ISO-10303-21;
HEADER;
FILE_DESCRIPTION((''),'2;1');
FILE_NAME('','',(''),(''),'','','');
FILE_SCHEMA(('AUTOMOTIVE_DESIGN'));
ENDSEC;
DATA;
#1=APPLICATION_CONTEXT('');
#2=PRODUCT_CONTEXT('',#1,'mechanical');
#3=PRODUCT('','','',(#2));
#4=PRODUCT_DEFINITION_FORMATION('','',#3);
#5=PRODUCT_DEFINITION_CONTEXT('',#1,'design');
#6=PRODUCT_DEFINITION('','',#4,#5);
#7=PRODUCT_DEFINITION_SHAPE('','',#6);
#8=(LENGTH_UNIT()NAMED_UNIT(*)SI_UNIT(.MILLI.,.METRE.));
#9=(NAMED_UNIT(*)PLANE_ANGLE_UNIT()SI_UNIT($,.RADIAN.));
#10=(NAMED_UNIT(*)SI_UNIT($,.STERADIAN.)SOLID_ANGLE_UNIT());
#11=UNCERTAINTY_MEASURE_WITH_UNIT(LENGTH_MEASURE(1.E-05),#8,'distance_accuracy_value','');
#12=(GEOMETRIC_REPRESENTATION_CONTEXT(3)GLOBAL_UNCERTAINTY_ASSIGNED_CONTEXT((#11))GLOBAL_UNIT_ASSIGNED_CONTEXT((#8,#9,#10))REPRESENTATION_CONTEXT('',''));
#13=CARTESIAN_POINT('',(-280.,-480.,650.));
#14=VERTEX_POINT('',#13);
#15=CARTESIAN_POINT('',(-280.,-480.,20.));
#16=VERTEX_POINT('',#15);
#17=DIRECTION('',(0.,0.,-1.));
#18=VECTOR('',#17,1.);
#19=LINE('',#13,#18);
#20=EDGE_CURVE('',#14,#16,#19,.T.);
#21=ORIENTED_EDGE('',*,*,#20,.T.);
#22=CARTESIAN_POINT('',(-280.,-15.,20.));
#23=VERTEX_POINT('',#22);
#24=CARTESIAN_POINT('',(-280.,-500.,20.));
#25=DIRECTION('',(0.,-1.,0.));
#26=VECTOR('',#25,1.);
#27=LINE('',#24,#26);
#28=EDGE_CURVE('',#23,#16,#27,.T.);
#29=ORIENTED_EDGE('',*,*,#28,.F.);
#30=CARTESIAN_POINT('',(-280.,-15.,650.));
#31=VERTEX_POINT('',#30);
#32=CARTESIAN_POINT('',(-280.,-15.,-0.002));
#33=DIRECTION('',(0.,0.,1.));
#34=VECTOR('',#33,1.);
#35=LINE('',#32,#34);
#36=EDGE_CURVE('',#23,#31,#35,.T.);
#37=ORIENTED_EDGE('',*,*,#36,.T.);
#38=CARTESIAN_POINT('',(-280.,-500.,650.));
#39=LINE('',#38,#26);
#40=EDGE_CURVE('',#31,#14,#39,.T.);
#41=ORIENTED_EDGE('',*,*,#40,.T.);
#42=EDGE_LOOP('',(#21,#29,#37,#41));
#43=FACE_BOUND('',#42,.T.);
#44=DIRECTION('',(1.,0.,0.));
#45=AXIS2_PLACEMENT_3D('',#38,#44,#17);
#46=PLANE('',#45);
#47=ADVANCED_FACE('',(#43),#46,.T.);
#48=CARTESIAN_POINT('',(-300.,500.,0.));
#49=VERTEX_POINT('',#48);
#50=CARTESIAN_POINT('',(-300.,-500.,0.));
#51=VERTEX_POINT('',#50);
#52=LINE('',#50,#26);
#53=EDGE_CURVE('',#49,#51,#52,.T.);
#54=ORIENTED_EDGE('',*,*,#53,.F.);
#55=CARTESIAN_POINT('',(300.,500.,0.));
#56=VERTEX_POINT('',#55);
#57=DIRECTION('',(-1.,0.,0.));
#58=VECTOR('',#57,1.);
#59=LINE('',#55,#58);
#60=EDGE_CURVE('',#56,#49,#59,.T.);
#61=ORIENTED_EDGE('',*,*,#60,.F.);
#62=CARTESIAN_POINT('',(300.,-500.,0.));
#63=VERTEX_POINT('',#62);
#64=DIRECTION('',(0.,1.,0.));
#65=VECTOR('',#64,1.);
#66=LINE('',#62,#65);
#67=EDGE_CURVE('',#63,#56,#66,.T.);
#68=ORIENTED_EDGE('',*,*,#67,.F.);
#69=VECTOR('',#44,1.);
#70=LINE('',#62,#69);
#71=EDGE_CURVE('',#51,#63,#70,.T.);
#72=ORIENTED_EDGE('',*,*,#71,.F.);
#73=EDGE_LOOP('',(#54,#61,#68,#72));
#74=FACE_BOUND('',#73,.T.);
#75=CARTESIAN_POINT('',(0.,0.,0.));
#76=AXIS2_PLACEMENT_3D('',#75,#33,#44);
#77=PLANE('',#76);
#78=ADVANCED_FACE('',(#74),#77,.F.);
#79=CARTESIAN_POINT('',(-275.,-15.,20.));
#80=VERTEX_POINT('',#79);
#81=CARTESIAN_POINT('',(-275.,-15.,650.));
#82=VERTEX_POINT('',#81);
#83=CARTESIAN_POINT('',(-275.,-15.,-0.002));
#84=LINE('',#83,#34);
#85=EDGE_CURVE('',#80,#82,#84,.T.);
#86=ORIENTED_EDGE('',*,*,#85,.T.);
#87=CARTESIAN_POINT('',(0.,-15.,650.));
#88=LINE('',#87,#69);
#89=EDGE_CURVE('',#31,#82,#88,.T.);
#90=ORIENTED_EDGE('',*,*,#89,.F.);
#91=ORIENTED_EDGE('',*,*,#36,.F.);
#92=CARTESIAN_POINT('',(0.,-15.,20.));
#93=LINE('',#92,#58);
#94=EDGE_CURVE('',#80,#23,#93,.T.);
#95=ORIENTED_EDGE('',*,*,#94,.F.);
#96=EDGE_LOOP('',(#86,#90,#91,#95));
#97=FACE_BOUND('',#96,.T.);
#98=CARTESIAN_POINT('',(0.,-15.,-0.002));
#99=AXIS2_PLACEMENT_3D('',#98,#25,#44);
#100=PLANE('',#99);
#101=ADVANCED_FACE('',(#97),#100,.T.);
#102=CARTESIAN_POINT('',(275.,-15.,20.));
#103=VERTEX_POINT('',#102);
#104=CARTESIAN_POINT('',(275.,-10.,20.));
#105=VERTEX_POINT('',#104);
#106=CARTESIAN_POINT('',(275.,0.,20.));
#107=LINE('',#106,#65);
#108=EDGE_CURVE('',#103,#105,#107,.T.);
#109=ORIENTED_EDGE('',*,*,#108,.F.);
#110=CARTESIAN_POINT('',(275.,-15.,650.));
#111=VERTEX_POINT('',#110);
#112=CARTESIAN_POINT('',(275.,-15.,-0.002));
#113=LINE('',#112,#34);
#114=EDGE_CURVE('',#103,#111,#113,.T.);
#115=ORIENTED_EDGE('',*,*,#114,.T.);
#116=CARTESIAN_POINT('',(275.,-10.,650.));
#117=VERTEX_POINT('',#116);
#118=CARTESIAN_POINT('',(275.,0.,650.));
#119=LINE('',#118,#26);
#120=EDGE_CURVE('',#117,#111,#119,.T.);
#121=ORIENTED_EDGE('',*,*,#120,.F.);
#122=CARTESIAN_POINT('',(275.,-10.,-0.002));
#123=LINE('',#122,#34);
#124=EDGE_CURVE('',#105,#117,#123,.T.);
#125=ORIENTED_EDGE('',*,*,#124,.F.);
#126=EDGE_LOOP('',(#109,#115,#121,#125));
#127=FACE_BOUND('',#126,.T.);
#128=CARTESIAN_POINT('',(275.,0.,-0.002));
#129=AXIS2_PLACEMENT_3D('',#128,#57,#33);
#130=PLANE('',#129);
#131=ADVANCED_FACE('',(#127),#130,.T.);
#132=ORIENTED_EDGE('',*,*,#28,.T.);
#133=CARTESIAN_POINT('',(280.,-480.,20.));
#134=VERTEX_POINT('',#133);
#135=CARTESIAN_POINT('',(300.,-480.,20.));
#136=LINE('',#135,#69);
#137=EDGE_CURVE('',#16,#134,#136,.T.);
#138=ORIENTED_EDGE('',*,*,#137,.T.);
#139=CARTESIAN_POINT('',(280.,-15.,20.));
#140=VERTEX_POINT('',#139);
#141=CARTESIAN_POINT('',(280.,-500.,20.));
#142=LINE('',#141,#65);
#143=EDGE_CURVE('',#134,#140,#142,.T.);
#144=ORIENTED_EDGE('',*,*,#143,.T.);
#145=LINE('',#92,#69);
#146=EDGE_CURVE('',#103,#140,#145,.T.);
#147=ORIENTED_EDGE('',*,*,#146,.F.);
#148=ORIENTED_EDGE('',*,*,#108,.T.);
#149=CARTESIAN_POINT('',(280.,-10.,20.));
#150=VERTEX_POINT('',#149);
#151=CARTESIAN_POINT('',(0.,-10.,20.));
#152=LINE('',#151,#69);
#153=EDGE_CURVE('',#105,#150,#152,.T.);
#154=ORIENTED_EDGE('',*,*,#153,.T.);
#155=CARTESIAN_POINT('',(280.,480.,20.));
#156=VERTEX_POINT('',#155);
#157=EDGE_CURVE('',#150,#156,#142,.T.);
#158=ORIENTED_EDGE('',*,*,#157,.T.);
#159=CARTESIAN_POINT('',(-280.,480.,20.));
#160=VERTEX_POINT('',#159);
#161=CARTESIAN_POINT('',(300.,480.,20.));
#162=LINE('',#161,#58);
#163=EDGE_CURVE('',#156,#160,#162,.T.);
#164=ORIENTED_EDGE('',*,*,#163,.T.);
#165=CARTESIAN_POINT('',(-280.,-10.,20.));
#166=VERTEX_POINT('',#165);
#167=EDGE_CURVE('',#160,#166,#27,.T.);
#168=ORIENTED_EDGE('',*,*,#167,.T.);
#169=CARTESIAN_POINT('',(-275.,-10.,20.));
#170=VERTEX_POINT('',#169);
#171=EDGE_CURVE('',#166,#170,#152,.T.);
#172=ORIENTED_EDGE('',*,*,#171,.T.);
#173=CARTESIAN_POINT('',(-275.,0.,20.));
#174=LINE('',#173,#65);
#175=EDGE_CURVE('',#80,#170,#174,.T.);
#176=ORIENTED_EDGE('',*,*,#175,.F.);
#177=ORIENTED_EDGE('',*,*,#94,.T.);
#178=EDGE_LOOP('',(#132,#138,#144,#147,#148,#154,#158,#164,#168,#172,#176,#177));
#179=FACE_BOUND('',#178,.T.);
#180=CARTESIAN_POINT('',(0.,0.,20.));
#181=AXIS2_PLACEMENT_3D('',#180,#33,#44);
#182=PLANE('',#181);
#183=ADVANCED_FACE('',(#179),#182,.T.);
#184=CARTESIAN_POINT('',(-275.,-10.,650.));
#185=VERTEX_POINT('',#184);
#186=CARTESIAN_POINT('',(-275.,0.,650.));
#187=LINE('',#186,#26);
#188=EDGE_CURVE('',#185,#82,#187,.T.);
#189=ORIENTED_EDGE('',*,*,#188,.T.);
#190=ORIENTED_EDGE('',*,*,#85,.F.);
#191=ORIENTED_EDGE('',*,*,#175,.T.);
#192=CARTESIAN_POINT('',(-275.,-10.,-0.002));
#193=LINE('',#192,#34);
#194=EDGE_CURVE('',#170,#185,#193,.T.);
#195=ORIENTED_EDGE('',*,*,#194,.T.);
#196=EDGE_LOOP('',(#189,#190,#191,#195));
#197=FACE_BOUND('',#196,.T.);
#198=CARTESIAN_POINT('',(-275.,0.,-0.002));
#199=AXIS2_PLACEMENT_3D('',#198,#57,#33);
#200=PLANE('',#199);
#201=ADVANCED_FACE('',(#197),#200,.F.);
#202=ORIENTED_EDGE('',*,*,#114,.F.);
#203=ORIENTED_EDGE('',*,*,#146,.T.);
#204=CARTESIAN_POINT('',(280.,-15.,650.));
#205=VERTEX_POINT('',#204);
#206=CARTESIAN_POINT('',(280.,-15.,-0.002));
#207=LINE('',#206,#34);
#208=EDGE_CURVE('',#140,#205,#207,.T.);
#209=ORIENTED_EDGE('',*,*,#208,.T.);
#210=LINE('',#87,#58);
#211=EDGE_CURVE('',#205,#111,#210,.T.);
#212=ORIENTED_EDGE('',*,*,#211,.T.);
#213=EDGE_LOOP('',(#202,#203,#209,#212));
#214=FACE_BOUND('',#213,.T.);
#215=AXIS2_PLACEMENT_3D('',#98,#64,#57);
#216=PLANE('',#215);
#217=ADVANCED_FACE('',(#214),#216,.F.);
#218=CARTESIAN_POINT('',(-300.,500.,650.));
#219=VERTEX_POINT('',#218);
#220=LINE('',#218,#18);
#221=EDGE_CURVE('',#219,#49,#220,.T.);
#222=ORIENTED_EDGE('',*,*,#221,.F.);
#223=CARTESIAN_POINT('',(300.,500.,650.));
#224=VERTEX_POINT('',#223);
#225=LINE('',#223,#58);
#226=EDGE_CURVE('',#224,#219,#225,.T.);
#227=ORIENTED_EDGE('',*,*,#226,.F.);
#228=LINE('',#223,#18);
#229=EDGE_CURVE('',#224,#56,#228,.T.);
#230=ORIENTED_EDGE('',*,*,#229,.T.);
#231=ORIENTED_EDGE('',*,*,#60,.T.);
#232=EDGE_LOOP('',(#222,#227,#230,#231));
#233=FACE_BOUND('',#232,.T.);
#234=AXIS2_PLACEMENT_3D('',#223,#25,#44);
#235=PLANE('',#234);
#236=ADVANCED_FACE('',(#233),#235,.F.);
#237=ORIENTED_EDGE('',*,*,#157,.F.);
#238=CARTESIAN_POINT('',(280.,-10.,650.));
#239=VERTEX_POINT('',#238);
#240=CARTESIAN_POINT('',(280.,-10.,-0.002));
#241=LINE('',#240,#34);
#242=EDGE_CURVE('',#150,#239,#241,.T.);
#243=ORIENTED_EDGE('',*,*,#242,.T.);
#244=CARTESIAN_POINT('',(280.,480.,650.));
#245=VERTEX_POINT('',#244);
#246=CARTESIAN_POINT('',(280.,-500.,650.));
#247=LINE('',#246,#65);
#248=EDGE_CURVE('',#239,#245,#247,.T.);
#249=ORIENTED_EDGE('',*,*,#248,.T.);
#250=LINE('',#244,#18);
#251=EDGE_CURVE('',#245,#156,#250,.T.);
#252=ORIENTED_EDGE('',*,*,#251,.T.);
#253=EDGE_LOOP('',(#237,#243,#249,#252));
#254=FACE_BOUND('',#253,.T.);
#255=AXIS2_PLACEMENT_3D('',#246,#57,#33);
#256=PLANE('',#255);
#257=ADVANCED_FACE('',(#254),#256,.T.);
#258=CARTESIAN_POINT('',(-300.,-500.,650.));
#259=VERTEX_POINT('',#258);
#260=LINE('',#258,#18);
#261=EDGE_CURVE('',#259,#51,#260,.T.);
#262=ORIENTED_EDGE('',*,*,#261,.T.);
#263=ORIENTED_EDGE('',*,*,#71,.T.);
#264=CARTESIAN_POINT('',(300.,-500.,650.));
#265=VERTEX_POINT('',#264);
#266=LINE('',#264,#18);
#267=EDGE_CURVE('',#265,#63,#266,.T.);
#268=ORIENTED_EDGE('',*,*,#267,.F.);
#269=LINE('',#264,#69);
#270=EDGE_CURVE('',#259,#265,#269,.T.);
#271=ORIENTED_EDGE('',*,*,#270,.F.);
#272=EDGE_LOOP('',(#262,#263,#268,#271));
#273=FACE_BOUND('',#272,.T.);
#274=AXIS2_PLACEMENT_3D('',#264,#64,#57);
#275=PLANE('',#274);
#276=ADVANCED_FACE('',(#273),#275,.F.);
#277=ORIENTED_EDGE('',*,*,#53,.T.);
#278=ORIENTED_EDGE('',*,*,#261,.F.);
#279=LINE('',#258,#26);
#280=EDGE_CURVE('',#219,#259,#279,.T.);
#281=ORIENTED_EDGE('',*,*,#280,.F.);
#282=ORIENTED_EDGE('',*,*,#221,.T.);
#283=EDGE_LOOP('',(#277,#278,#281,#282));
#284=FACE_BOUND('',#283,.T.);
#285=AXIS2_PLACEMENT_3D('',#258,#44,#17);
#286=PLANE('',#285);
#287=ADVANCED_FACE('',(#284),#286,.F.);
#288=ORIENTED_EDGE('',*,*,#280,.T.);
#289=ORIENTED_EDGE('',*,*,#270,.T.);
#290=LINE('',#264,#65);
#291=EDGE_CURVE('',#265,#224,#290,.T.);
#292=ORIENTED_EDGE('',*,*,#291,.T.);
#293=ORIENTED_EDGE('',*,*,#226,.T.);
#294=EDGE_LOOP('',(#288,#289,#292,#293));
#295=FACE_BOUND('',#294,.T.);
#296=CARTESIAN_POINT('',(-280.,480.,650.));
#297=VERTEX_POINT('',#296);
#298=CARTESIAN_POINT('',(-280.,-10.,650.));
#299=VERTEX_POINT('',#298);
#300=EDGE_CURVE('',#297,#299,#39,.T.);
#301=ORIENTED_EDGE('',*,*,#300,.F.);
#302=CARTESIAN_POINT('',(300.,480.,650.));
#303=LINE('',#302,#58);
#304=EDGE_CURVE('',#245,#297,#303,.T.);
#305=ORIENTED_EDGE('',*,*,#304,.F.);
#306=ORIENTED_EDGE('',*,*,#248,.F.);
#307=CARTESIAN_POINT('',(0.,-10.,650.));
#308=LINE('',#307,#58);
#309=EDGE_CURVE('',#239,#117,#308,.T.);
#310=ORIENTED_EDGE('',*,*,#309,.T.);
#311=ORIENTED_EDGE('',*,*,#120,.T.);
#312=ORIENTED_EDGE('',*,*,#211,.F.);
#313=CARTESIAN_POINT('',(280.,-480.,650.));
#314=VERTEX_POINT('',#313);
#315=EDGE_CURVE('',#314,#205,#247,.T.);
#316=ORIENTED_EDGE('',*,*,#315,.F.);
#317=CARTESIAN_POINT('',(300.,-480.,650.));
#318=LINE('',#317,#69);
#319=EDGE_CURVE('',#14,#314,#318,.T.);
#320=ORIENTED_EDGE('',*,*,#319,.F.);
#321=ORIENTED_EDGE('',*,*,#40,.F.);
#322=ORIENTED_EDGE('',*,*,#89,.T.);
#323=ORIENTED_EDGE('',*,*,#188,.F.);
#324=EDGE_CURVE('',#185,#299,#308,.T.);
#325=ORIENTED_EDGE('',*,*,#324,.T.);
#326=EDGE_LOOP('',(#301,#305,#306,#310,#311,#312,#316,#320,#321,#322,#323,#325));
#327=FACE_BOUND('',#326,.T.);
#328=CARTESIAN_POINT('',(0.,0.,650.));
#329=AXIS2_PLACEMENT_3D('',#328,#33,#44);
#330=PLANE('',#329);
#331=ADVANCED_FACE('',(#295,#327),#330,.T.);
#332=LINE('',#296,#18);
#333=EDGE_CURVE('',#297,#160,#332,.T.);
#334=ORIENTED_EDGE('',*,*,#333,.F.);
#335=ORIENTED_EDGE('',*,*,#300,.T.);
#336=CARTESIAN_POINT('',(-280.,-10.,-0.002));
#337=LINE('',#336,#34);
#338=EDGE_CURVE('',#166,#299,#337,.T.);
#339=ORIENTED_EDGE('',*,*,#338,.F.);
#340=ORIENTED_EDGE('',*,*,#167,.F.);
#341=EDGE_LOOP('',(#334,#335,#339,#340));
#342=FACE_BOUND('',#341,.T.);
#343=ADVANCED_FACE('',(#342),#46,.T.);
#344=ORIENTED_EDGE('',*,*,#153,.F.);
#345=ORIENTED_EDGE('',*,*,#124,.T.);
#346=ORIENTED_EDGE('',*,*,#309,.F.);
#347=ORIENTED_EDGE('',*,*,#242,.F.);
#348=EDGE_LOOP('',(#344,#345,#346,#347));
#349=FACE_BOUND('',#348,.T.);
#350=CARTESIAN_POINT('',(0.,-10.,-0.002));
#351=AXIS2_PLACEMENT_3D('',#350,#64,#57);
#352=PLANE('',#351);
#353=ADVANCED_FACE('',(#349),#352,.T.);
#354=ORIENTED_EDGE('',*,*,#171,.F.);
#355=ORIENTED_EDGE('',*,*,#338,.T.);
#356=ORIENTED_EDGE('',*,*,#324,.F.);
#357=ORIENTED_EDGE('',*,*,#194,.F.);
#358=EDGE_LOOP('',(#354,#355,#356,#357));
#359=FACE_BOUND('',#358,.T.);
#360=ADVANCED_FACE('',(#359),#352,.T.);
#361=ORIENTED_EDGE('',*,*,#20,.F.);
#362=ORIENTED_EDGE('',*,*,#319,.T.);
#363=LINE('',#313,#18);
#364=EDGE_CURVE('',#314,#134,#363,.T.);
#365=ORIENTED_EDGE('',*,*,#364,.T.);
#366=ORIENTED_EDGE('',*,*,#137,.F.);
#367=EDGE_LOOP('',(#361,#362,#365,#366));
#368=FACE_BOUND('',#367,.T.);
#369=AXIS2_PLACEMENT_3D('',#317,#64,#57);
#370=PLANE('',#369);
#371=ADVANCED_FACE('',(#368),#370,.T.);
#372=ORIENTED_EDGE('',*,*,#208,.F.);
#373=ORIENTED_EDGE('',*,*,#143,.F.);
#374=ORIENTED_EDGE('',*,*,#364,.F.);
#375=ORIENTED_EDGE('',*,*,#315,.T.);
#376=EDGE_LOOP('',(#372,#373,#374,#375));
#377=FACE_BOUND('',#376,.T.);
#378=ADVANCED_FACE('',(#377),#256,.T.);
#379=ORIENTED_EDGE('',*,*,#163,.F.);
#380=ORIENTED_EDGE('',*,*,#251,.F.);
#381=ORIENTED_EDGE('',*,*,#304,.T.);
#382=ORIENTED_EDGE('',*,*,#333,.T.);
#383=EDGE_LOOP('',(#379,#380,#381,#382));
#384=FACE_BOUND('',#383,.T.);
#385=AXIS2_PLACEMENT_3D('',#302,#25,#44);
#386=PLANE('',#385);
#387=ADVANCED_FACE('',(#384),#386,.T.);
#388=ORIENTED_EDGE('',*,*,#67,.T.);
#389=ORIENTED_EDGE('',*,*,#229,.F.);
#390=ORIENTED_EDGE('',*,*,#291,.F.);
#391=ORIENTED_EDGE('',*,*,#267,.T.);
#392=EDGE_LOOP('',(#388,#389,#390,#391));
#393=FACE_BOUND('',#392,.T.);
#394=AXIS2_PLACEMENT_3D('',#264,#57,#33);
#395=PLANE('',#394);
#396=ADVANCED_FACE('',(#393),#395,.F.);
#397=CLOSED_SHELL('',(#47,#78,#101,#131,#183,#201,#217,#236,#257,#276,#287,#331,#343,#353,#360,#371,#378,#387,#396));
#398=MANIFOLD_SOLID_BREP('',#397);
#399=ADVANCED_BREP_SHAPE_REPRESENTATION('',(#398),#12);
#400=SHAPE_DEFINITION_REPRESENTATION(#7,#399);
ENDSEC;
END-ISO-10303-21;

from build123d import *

# Parameters (mm, degrees)
SKETCH1_W           = 600
SKETCH1_H           = 1000
BOSS_EXTRUDE1_DEPTH = 650
SHELL1_T            = -20
BOSS_EXTRUDE2_REACH = 875.212
SKETCH2_W           = 5
SKETCH2_H           = 5


with BuildPart() as part:
    # Sketch1 → Boss-Extrude1 (new body)
    with BuildSketch(Plane.XY):
        Rectangle(SKETCH1_W, SKETCH1_H)
    extrude(amount=BOSS_EXTRUDE1_DEPTH)

    # Shell1
    shell1_openings = [part.faces().sort_by_distance(p)[0] for p in [
        (0, 0, 650),
    ]]
    offset(amount=SHELL1_T, openings=shell1_openings, kind=Kind.INTERSECTION)

    # Sketch2 → Boss-Extrude2 (add, up to next)
    with BuildSketch(Plane.XY.offset(650), mode=Mode.PRIVATE) as boss_extrude2_sk1:
        with Locations((-277.5, -12.5)):
            Rectangle(SKETCH2_W, SKETCH2_H)
    boss_extrude2_tool1 = extrude(boss_extrude2_sk1.sketch, amount=-BOSS_EXTRUDE2_REACH, mode=Mode.PRIVATE) - part.part
    # Sketch2 → Boss-Extrude2 (add, up to next)
    with BuildSketch(Plane.XY.offset(650), mode=Mode.PRIVATE) as boss_extrude2_sk2:
        with Locations((277.5, -12.5)):
            Rectangle(SKETCH2_W, SKETCH2_H)
    boss_extrude2_tool2 = extrude(boss_extrude2_sk2.sketch, amount=-BOSS_EXTRUDE2_REACH, mode=Mode.PRIVATE) - part.part
    add(boss_extrude2_tool1.solids().sort_by_distance((-277.5, -12.5, 650))[0])
    add(boss_extrude2_tool2.solids().sort_by_distance((277.5, -12.5, 650))[0])


solid = part.part
